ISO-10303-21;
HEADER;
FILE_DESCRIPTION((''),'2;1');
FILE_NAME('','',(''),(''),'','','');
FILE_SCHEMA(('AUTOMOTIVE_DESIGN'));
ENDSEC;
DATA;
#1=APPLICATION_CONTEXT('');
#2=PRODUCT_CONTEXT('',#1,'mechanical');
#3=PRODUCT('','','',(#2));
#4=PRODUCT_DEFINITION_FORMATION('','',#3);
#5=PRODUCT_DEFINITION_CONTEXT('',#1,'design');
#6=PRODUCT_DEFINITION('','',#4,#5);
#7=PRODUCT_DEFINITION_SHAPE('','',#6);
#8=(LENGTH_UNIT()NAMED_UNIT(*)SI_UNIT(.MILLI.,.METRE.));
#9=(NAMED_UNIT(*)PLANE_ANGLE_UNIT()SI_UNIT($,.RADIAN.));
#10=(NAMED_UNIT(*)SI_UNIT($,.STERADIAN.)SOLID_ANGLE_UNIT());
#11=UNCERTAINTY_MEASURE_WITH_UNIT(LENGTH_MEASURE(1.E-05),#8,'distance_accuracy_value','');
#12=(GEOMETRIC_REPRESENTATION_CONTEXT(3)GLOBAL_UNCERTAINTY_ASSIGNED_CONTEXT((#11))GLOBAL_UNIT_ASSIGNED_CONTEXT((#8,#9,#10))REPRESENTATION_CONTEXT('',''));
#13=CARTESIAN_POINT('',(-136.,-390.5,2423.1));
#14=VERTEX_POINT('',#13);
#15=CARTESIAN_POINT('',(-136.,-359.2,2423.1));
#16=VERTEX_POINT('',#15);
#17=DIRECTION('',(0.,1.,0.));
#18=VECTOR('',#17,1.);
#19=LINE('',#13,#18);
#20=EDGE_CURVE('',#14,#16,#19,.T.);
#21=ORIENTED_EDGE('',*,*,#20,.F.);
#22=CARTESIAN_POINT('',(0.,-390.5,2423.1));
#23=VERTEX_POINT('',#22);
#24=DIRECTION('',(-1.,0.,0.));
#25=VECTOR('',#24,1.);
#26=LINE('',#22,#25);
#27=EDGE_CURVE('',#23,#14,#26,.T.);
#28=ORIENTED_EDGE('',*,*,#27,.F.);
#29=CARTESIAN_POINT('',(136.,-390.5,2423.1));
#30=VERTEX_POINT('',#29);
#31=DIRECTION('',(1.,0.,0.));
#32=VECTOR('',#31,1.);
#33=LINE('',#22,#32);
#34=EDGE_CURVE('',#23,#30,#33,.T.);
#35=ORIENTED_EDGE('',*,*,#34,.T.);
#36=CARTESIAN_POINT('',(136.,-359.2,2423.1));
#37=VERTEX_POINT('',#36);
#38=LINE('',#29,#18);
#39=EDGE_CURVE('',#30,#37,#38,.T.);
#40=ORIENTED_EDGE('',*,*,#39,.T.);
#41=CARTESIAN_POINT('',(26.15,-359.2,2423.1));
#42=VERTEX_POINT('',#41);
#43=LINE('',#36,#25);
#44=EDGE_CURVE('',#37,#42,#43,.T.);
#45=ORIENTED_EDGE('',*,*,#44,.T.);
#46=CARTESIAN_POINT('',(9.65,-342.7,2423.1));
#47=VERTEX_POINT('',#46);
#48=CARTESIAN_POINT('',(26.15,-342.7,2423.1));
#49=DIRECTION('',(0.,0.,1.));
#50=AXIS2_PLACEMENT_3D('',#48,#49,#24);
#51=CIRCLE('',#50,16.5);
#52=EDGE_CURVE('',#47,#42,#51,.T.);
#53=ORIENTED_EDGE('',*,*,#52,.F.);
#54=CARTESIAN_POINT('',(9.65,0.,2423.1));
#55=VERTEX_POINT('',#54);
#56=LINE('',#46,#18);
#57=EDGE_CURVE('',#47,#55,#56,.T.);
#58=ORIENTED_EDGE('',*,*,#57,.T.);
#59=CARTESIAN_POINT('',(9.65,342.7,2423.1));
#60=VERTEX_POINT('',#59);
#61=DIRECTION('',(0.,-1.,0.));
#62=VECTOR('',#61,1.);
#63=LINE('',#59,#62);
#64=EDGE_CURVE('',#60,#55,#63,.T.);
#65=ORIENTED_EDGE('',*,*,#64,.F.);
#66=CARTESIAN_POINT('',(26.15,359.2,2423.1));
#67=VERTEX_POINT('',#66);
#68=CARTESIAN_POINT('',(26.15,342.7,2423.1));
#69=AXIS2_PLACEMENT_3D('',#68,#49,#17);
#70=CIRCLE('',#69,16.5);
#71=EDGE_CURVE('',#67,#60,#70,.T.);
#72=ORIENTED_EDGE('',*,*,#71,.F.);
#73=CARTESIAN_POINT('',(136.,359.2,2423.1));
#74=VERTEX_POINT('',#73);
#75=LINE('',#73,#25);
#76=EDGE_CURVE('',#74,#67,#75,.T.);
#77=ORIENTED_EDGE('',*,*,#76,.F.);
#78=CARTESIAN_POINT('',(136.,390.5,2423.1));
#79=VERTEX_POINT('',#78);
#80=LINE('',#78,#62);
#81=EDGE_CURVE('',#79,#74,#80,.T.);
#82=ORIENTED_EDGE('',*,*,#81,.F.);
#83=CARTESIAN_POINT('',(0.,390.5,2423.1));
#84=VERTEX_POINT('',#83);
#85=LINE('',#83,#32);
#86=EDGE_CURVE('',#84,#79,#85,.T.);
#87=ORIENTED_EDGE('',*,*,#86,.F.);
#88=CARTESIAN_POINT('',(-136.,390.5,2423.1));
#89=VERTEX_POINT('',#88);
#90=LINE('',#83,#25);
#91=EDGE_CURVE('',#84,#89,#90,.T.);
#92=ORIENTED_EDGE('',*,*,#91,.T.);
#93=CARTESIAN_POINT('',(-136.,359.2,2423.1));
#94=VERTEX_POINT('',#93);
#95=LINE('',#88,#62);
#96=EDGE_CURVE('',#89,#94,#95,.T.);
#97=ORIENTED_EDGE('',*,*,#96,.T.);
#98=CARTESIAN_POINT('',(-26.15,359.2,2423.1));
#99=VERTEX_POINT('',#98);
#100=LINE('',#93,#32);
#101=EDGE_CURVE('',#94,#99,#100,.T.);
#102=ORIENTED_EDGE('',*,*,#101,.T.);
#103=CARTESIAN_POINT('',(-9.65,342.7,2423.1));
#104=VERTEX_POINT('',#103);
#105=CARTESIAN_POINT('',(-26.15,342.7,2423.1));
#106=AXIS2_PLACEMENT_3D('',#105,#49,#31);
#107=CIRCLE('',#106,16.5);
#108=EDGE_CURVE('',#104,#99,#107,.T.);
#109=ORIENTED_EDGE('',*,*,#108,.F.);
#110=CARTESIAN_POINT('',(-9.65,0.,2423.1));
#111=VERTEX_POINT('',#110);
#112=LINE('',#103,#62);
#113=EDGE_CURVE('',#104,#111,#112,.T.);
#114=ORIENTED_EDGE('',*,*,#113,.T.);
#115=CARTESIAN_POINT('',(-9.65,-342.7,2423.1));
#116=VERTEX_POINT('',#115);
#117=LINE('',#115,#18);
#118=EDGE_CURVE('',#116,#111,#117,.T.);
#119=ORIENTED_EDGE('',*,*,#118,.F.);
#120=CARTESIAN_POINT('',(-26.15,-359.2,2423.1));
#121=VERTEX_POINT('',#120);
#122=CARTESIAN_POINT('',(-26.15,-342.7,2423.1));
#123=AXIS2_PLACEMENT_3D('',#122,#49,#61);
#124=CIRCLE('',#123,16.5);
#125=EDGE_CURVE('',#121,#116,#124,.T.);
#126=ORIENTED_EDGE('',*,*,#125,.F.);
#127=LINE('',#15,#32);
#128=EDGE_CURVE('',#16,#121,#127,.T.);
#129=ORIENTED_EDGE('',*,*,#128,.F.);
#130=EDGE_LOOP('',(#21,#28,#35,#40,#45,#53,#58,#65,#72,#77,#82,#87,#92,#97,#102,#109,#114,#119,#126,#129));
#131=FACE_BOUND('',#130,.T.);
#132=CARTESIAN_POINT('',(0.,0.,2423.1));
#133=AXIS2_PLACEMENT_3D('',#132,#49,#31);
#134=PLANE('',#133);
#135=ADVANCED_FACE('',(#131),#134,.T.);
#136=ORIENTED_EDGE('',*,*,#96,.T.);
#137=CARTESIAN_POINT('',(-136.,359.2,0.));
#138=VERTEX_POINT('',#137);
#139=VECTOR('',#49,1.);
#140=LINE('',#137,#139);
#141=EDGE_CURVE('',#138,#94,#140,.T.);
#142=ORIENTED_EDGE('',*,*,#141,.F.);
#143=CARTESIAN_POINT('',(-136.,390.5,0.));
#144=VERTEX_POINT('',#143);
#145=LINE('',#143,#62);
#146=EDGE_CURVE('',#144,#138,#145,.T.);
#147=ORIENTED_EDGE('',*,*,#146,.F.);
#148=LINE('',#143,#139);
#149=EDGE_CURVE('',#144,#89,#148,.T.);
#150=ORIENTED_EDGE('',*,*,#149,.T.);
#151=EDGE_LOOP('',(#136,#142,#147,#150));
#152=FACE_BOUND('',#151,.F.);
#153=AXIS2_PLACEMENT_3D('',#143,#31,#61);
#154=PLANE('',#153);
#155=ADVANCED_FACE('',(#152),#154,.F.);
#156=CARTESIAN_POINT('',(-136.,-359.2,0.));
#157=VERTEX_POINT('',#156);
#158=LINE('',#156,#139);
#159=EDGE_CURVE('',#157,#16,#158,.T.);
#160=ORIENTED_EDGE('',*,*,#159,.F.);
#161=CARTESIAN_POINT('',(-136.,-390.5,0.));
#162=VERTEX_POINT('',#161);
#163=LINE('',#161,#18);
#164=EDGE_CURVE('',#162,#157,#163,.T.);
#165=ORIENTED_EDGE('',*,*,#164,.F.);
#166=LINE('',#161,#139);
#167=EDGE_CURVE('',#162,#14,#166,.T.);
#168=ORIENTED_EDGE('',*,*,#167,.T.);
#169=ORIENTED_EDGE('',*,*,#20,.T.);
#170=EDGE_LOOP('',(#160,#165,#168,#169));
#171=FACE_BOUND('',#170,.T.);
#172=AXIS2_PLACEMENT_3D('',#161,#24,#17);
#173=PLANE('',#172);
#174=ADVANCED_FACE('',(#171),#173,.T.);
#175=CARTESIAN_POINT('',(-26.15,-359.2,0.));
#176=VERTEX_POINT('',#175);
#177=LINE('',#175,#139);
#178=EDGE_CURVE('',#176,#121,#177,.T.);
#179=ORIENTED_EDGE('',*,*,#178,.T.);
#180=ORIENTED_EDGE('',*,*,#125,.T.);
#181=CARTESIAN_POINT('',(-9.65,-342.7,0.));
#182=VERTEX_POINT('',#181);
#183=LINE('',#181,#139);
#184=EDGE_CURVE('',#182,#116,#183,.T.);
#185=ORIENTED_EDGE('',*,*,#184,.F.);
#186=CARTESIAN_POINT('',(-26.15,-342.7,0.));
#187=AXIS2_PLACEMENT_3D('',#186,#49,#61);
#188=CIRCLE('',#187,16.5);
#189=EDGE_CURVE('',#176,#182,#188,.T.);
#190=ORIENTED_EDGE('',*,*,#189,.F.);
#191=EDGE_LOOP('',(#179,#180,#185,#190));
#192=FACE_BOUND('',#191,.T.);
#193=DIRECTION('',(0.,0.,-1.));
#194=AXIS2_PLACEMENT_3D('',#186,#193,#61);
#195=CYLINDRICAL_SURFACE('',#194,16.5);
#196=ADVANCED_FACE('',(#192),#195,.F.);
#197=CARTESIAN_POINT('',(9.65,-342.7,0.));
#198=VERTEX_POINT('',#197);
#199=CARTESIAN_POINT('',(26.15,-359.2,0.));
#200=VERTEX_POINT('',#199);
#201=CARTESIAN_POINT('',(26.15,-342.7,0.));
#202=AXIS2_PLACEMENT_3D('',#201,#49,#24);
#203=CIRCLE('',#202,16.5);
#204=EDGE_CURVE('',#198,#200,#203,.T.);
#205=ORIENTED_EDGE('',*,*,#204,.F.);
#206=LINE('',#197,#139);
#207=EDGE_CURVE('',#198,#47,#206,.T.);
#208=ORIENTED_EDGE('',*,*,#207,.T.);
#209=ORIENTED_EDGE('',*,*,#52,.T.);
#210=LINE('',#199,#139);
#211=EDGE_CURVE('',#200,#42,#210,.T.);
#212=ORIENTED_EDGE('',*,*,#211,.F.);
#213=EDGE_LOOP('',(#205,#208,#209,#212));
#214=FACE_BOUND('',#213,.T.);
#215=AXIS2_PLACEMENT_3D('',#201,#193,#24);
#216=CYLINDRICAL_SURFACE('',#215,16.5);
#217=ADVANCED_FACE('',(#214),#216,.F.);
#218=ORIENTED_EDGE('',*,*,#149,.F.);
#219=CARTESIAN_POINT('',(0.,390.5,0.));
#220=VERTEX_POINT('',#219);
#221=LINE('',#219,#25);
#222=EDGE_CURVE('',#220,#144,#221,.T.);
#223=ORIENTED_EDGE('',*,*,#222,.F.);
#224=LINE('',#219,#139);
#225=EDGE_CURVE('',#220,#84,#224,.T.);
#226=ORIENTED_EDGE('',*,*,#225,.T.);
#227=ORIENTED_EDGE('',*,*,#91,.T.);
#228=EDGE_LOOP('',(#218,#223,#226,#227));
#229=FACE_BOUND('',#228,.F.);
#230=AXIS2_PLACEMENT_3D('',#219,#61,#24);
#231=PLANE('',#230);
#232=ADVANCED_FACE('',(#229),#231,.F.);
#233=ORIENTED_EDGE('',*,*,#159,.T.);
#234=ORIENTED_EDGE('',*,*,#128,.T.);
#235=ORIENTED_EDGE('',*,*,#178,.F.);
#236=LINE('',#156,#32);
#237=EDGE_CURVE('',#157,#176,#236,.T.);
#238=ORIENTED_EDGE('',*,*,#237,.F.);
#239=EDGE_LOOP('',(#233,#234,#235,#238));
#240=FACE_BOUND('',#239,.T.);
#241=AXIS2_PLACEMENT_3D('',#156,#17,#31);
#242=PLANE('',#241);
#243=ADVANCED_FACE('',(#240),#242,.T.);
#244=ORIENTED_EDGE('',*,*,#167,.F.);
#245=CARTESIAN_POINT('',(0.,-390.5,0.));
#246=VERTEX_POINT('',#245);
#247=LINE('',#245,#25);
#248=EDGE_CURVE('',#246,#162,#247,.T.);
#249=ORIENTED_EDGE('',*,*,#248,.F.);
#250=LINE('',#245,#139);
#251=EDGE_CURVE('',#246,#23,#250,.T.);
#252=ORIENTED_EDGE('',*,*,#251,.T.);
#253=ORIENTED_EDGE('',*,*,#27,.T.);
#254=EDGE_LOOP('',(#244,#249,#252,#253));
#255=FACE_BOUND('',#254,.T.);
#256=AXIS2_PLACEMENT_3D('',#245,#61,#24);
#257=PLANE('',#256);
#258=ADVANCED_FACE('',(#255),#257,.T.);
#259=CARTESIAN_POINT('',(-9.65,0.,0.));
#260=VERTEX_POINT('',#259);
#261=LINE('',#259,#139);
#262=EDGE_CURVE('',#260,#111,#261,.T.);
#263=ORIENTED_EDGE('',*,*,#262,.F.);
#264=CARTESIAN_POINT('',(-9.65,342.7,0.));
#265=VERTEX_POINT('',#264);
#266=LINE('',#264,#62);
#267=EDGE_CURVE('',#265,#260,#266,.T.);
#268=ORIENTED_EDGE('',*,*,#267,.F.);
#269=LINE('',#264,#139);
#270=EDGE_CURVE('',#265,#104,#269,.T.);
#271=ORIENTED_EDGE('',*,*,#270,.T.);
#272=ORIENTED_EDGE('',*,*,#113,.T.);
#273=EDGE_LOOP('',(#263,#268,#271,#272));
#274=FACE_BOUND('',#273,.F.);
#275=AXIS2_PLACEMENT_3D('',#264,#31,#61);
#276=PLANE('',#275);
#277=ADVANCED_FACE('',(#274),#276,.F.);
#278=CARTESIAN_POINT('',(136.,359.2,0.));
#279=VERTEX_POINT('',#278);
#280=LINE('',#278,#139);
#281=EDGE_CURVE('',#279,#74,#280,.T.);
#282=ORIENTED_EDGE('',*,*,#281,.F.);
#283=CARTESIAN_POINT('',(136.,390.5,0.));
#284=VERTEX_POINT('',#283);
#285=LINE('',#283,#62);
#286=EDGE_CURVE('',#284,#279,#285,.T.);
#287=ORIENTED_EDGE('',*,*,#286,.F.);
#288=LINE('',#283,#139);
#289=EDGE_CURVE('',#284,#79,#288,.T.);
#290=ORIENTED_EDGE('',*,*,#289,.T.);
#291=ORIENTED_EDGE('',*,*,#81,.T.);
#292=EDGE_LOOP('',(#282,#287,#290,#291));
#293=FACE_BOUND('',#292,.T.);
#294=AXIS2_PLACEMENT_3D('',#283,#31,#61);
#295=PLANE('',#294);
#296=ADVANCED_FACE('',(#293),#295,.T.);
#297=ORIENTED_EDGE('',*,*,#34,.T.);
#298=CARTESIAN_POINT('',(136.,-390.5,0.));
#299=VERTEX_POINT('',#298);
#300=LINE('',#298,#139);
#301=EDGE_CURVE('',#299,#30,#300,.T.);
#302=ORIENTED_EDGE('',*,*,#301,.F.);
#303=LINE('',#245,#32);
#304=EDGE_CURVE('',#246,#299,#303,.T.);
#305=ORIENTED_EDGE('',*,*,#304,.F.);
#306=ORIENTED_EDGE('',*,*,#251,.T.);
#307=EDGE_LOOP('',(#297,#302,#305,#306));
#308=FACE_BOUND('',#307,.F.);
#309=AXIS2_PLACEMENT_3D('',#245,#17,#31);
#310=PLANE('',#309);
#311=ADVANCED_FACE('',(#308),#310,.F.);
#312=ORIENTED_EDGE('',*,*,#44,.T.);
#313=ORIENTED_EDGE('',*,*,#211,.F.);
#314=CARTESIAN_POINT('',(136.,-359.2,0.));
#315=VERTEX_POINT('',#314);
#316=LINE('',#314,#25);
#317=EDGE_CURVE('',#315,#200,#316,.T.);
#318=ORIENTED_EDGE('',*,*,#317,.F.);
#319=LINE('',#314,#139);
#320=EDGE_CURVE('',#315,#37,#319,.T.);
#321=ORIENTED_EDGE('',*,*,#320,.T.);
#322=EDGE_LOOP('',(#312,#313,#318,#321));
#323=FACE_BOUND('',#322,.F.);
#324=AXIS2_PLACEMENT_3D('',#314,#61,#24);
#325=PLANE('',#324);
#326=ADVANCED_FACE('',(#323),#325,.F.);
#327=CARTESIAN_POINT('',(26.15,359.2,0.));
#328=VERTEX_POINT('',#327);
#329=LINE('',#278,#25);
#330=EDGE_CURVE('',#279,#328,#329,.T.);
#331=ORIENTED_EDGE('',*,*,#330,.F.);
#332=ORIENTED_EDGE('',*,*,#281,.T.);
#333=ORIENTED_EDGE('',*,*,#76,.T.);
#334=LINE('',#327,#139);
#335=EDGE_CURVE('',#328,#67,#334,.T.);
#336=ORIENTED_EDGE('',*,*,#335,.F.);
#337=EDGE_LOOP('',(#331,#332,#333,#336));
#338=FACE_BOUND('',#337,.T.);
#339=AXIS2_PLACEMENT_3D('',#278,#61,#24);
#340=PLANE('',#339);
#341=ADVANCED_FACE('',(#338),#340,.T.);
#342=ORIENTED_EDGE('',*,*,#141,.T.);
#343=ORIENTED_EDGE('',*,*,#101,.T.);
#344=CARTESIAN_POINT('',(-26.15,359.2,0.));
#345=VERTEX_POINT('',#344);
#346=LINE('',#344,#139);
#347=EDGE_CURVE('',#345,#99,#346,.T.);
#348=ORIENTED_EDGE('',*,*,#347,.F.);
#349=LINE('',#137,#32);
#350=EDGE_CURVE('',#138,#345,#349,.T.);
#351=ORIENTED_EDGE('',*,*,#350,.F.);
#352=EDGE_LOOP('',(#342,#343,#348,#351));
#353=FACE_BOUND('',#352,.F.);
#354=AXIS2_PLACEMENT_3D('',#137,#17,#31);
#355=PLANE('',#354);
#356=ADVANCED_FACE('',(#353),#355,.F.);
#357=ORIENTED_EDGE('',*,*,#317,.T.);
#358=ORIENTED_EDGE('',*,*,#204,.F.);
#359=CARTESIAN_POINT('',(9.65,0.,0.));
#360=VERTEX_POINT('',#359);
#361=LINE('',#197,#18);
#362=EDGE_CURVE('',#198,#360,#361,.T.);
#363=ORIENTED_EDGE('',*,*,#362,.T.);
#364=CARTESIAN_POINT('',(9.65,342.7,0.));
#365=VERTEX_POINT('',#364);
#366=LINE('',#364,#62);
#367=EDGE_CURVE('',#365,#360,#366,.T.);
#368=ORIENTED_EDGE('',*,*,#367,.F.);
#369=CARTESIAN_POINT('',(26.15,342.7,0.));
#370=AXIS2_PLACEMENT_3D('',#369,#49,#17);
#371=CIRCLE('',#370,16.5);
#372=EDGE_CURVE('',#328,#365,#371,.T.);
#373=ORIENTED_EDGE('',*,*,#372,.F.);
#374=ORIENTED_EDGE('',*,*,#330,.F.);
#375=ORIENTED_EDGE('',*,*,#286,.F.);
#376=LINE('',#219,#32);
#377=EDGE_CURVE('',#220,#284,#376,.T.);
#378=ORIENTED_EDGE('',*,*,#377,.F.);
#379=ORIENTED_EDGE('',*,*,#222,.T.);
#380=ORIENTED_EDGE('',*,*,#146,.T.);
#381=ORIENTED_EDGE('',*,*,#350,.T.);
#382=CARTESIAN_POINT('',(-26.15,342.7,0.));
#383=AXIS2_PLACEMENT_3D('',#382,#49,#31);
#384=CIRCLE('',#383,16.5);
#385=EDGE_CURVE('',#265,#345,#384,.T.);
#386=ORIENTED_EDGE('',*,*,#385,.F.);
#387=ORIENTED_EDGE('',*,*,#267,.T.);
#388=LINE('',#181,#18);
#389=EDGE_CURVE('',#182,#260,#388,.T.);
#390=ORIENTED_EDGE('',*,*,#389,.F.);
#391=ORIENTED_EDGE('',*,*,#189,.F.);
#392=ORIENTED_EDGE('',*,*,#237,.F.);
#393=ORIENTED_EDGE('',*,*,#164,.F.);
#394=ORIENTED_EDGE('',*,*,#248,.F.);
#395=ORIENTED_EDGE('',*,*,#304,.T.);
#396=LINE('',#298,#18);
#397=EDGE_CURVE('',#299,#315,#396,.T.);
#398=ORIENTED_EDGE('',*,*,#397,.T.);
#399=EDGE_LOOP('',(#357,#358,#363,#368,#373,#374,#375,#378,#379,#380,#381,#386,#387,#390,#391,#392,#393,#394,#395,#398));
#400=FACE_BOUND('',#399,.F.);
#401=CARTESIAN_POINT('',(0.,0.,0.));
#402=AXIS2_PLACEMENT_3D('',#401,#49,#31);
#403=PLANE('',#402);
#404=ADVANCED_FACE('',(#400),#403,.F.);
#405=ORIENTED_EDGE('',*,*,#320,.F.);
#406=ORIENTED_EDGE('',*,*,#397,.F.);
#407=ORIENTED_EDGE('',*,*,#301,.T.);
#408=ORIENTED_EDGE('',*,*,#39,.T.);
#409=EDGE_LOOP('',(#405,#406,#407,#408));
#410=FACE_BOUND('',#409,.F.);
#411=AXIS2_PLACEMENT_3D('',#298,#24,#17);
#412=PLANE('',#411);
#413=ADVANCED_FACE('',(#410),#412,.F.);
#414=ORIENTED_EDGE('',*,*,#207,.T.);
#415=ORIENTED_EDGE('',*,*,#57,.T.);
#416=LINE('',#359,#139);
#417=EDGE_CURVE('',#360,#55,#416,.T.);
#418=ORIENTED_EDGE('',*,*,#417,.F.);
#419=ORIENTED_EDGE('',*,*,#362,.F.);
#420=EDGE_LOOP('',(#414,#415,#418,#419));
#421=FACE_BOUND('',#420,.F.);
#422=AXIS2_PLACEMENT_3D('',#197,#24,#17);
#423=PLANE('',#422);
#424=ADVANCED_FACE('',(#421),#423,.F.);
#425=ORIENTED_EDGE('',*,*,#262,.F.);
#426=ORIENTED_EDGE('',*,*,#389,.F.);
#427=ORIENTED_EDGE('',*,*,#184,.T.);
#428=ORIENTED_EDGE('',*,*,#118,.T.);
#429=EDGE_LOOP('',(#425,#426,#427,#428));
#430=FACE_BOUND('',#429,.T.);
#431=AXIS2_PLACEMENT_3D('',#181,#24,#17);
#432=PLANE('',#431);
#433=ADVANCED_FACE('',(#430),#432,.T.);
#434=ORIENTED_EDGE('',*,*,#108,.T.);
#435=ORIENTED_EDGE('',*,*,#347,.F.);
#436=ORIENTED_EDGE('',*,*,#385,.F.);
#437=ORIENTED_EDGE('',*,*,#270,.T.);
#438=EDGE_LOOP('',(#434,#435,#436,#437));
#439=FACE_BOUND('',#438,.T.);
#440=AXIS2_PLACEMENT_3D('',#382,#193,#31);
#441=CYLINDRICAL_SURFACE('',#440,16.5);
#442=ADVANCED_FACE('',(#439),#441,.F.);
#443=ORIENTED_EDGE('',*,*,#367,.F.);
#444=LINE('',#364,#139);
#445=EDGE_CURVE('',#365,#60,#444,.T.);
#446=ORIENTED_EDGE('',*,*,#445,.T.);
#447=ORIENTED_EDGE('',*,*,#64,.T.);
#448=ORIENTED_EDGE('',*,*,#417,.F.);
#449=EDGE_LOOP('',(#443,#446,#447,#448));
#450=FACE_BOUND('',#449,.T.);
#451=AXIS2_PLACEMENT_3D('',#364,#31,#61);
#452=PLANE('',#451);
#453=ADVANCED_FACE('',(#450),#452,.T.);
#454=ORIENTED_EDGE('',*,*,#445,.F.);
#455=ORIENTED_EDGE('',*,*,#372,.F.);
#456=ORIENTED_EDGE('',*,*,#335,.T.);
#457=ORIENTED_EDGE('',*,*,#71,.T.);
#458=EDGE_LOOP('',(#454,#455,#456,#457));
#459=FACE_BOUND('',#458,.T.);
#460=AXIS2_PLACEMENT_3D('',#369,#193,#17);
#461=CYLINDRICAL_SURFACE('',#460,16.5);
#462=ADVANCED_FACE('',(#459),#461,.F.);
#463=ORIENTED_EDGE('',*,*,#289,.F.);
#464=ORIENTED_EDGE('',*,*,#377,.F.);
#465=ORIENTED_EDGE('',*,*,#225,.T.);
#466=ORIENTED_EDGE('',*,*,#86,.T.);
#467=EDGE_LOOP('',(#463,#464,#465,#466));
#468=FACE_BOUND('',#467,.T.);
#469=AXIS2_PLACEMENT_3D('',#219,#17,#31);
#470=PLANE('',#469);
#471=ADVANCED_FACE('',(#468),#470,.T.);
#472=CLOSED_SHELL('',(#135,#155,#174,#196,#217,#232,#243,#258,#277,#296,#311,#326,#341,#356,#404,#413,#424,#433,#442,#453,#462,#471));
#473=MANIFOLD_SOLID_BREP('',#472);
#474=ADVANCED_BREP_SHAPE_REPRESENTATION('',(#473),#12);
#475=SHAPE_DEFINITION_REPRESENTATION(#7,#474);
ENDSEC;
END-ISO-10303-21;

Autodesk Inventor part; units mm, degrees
ref_plane "YZ Plane" through (0, 0, 0) normal (1, 0, 0) x (0, 1, 0)
ref_plane "Start plane" through (0, 0, 0) normal (0, 0, 1) x (1, 0, 0)
ref_plane "End plane" through (0, 0, 2423.1) normal (0, 0, 1) x (1, 0, 0)
sketch "Sketch" plane through (0, 0, 0) normal (0, 0, 1) x (1, 0, 0)
  line L0 (-136, -390.5) -> (-136, -359.2)
  line L1 (-136, -359.2) -> (-26.15, -359.2)
  line L2 (-9.65, -342.7) -> (-9.65, 0)
  line L3 (-9.65, 0) -> (0, 0) construction
  line L4 (0, 0) -> (0, -390.5) construction
  line L5 (0, -390.5) -> (-136, -390.5)
  line L6 (-60, 0) -> (80, 0) construction
  line L7 (0, -60) -> (0, 80) construction
  line L8 (136, -390.5) -> (136, -359.2)
  line L9 (136, -359.2) -> (26.15, -359.2)
  line L10 (9.65, -342.7) -> (9.65, 0)
  line L11 (9.65, 0) -> (0, 0) construction
  line L12 (0, -390.5) -> (136, -390.5)
  line L13 (-136, 390.5) -> (-136, 359.2)
  line L14 (-136, 359.2) -> (-26.15, 359.2)
  line L15 (-9.65, 342.7) -> (-9.65, 0)
  line L16 (0, 390.5) -> (-136, 390.5)
  line L17 (136, 390.5) -> (136, 359.2)
  line L18 (136, 359.2) -> (26.15, 359.2)
  line L19 (0, 390.5) -> (136, 390.5)
  line L20 (9.65, 342.7) -> (9.65, 0)
  arc A0 (-9.65, 342.7) -> (-26.15, 359.2) centre (-26.15, 342.7) ccw
  arc A1 (26.15, 359.2) -> (9.65, 342.7) centre (26.15, 342.7) ccw
  arc A2 (9.65, -342.7) -> (26.15, -359.2) centre (26.15, -342.7) ccw
  arc A3 (-26.15, -359.2) -> (-9.65, -342.7) centre (-26.15, -342.7) ccw
  line L21 (0, 108) -> (0, -88) construction
  line L22 (-88, 0) -> (108, 0) construction
  point P0 (-9.65, -359.2)
  point P1 (9.65, -359.2)
  point P2 (-9.65, 359.2)
  point P3 (9.65, 359.2)
  dimension "d1" = 390.5
  dimension "d2" = 31.3
  dimension "d3" = 136
  dimension "d4" = 9.65
  dimension "d10" = 16.5
extrude "Body" add sketch "Sketch" along normal up to surface (2423.1 mm away) from surface at 0
sketch "Sketch4" plane through (0, 0, 0) normal (0, 0, 1) x (1, 0, 0)
  line L0 (0, 0) -> (10, 0)
ref_plane "Work Plane3" through (0, 0, 0) normal (0, -1, 0) x (1, 0, 0)
sketch "Sketch5" plane through (0, 0, 0) normal (0, -1, 0) x (1, 0, 0)
  line L0 (-2, 0) -> (12, 0) projected
  line L1 (-2, 2423.1) -> (12, 2423.1) projected
  dimension "d14" = 2423.1
equation "\"d1\" = 0.5 * G_H"
equation "\"d2\" = G_T1"
equation "\"d3\" = 0.5 * G_W"
equation "\"d4\" = 0.5 * G_T"
equation "\"d10\" = G_IR"
equation "\"d5\" = G_L"
equation "\"G_W\" = 272"
equation "\"G_H\" = 781"
equation "\"G_T\" = 19.3"
equation "\"G_T1\" = 31.3"
equation "\"G_IR\" = 16.5"
equation "\"G_L\" = d14"
equation "\"G_OFFSET_START\" = 0"
equation "\"G_OFFSET_END\" = 0"
equation "\"d12\" = G_OFFSET_END + B_L"
equation "\"B_L\" = 2423.1"
properties part number "AS 3679-1990 - 760 UB - 244 - 2423.1" material "Steel, Mild"
